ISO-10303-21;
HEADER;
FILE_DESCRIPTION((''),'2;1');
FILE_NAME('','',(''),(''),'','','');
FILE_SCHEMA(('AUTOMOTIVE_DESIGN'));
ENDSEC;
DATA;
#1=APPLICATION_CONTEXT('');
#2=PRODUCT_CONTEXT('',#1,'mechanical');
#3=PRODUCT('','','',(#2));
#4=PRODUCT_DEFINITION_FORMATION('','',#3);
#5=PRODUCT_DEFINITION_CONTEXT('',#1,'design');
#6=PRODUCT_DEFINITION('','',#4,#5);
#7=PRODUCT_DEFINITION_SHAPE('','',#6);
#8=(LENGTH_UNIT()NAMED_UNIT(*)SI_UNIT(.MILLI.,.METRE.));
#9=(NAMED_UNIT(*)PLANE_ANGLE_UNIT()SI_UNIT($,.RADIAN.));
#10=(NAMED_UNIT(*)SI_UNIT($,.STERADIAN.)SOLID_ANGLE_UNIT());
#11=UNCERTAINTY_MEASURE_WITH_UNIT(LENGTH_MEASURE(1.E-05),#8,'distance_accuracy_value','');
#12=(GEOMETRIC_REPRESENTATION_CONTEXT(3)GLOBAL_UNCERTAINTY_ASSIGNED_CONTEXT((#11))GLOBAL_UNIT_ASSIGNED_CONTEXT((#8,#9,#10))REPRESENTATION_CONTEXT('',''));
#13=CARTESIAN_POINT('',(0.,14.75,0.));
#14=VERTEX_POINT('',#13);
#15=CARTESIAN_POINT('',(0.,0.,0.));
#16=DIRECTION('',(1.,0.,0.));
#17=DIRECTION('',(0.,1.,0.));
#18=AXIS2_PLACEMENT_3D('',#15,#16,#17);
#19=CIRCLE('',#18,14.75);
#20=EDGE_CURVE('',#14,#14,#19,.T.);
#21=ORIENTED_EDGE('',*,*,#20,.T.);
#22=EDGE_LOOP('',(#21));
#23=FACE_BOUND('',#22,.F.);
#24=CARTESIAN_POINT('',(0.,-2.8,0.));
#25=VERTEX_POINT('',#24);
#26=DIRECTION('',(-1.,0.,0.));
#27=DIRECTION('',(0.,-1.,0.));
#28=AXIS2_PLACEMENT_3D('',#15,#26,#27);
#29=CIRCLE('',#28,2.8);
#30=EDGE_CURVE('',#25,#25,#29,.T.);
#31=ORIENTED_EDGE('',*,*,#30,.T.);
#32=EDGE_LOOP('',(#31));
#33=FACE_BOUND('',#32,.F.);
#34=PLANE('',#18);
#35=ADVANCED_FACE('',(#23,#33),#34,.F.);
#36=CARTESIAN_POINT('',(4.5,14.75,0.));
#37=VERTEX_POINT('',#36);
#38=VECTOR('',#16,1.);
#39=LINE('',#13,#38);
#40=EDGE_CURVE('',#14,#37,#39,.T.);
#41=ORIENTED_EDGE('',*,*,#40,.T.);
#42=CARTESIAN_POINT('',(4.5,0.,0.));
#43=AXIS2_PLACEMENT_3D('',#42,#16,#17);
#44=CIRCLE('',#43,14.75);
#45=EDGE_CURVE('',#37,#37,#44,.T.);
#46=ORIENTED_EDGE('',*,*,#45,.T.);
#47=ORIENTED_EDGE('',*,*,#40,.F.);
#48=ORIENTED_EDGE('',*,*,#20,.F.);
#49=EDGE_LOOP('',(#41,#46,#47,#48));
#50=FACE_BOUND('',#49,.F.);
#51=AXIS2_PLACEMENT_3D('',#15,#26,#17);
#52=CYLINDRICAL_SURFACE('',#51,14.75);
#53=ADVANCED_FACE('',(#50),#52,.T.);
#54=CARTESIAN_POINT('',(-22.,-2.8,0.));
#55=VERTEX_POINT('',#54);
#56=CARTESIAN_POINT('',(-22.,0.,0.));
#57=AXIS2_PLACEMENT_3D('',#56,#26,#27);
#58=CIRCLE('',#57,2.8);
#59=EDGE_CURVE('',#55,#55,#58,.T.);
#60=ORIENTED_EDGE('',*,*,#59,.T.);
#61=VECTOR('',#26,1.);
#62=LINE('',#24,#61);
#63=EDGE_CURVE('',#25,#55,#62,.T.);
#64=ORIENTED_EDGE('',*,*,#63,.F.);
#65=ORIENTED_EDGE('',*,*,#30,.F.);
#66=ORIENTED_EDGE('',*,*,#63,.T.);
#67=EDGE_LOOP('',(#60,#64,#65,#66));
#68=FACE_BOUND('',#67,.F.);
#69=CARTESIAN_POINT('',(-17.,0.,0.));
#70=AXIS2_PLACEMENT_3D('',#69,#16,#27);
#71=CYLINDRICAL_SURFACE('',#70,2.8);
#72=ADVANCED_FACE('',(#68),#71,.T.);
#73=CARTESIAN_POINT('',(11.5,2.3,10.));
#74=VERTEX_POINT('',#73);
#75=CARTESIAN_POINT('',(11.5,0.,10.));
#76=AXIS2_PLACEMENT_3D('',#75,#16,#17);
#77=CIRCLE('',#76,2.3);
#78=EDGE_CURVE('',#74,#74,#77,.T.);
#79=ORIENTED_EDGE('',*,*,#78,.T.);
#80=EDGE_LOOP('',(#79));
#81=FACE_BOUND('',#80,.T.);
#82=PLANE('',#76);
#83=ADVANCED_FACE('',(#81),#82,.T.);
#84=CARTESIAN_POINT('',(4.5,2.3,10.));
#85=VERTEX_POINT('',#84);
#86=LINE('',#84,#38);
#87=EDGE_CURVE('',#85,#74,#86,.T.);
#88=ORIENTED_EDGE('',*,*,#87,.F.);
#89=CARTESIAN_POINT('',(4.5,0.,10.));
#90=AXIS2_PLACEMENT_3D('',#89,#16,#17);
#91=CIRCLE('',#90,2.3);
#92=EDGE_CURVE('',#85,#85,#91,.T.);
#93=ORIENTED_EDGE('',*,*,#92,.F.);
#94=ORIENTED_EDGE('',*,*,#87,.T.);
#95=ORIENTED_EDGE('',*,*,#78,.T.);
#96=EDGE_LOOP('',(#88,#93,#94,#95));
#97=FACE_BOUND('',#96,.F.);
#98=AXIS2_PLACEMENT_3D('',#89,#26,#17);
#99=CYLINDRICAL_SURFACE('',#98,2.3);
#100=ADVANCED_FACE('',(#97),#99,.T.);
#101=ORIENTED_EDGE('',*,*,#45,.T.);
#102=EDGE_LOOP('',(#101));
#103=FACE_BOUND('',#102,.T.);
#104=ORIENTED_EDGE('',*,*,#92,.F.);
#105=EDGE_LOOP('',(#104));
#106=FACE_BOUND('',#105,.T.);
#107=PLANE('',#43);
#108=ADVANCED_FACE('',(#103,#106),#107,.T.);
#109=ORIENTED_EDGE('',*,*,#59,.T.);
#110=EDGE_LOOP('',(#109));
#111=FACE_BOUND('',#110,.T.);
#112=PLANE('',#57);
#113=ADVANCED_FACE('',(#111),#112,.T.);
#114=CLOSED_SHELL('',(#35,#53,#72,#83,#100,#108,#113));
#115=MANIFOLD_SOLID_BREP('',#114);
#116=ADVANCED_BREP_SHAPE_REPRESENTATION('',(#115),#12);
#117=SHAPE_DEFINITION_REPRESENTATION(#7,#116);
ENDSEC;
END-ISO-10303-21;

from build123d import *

# Parameters (mm, degrees)
F0_R      = 14.75
F1_DEPTH  = 4.5
F2_R      = 2.8
F3_DEPTH  = 17
F4_R      = 2.3
F5_DEPTH  = 7
F3_FACE_R = 2.8
F6_DEPTH  = 5


with BuildPart() as f1:
    # F0 (on Right) → F1 (new body)
    with BuildSketch(Plane.YZ):
        Circle(F0_R)
    extrude(amount=F1_DEPTH)

    # F2 (on face) → F3 (join)
    with BuildSketch(Plane(origin=(0, 0, 0), x_dir=(0, -1, 0), z_dir=(-1, 0, 0))):
        Circle(F2_R)
    extrude(amount=F3_DEPTH)

    # F4 (on face) → F5 (join)
    with BuildSketch(Plane.YZ.offset(4.5)):
        with Locations((0, 10)):
            Circle(F4_R)
    extrude(amount=F5_DEPTH)

    # F3_face (on face) → F6 (join)
    with BuildSketch(Plane(origin=(-17, 0, 0), x_dir=(0, -1, 0), z_dir=(-1, 0, 0))):
        Circle(F3_FACE_R)
    extrude(amount=F6_DEPTH)


solid = f1.part
